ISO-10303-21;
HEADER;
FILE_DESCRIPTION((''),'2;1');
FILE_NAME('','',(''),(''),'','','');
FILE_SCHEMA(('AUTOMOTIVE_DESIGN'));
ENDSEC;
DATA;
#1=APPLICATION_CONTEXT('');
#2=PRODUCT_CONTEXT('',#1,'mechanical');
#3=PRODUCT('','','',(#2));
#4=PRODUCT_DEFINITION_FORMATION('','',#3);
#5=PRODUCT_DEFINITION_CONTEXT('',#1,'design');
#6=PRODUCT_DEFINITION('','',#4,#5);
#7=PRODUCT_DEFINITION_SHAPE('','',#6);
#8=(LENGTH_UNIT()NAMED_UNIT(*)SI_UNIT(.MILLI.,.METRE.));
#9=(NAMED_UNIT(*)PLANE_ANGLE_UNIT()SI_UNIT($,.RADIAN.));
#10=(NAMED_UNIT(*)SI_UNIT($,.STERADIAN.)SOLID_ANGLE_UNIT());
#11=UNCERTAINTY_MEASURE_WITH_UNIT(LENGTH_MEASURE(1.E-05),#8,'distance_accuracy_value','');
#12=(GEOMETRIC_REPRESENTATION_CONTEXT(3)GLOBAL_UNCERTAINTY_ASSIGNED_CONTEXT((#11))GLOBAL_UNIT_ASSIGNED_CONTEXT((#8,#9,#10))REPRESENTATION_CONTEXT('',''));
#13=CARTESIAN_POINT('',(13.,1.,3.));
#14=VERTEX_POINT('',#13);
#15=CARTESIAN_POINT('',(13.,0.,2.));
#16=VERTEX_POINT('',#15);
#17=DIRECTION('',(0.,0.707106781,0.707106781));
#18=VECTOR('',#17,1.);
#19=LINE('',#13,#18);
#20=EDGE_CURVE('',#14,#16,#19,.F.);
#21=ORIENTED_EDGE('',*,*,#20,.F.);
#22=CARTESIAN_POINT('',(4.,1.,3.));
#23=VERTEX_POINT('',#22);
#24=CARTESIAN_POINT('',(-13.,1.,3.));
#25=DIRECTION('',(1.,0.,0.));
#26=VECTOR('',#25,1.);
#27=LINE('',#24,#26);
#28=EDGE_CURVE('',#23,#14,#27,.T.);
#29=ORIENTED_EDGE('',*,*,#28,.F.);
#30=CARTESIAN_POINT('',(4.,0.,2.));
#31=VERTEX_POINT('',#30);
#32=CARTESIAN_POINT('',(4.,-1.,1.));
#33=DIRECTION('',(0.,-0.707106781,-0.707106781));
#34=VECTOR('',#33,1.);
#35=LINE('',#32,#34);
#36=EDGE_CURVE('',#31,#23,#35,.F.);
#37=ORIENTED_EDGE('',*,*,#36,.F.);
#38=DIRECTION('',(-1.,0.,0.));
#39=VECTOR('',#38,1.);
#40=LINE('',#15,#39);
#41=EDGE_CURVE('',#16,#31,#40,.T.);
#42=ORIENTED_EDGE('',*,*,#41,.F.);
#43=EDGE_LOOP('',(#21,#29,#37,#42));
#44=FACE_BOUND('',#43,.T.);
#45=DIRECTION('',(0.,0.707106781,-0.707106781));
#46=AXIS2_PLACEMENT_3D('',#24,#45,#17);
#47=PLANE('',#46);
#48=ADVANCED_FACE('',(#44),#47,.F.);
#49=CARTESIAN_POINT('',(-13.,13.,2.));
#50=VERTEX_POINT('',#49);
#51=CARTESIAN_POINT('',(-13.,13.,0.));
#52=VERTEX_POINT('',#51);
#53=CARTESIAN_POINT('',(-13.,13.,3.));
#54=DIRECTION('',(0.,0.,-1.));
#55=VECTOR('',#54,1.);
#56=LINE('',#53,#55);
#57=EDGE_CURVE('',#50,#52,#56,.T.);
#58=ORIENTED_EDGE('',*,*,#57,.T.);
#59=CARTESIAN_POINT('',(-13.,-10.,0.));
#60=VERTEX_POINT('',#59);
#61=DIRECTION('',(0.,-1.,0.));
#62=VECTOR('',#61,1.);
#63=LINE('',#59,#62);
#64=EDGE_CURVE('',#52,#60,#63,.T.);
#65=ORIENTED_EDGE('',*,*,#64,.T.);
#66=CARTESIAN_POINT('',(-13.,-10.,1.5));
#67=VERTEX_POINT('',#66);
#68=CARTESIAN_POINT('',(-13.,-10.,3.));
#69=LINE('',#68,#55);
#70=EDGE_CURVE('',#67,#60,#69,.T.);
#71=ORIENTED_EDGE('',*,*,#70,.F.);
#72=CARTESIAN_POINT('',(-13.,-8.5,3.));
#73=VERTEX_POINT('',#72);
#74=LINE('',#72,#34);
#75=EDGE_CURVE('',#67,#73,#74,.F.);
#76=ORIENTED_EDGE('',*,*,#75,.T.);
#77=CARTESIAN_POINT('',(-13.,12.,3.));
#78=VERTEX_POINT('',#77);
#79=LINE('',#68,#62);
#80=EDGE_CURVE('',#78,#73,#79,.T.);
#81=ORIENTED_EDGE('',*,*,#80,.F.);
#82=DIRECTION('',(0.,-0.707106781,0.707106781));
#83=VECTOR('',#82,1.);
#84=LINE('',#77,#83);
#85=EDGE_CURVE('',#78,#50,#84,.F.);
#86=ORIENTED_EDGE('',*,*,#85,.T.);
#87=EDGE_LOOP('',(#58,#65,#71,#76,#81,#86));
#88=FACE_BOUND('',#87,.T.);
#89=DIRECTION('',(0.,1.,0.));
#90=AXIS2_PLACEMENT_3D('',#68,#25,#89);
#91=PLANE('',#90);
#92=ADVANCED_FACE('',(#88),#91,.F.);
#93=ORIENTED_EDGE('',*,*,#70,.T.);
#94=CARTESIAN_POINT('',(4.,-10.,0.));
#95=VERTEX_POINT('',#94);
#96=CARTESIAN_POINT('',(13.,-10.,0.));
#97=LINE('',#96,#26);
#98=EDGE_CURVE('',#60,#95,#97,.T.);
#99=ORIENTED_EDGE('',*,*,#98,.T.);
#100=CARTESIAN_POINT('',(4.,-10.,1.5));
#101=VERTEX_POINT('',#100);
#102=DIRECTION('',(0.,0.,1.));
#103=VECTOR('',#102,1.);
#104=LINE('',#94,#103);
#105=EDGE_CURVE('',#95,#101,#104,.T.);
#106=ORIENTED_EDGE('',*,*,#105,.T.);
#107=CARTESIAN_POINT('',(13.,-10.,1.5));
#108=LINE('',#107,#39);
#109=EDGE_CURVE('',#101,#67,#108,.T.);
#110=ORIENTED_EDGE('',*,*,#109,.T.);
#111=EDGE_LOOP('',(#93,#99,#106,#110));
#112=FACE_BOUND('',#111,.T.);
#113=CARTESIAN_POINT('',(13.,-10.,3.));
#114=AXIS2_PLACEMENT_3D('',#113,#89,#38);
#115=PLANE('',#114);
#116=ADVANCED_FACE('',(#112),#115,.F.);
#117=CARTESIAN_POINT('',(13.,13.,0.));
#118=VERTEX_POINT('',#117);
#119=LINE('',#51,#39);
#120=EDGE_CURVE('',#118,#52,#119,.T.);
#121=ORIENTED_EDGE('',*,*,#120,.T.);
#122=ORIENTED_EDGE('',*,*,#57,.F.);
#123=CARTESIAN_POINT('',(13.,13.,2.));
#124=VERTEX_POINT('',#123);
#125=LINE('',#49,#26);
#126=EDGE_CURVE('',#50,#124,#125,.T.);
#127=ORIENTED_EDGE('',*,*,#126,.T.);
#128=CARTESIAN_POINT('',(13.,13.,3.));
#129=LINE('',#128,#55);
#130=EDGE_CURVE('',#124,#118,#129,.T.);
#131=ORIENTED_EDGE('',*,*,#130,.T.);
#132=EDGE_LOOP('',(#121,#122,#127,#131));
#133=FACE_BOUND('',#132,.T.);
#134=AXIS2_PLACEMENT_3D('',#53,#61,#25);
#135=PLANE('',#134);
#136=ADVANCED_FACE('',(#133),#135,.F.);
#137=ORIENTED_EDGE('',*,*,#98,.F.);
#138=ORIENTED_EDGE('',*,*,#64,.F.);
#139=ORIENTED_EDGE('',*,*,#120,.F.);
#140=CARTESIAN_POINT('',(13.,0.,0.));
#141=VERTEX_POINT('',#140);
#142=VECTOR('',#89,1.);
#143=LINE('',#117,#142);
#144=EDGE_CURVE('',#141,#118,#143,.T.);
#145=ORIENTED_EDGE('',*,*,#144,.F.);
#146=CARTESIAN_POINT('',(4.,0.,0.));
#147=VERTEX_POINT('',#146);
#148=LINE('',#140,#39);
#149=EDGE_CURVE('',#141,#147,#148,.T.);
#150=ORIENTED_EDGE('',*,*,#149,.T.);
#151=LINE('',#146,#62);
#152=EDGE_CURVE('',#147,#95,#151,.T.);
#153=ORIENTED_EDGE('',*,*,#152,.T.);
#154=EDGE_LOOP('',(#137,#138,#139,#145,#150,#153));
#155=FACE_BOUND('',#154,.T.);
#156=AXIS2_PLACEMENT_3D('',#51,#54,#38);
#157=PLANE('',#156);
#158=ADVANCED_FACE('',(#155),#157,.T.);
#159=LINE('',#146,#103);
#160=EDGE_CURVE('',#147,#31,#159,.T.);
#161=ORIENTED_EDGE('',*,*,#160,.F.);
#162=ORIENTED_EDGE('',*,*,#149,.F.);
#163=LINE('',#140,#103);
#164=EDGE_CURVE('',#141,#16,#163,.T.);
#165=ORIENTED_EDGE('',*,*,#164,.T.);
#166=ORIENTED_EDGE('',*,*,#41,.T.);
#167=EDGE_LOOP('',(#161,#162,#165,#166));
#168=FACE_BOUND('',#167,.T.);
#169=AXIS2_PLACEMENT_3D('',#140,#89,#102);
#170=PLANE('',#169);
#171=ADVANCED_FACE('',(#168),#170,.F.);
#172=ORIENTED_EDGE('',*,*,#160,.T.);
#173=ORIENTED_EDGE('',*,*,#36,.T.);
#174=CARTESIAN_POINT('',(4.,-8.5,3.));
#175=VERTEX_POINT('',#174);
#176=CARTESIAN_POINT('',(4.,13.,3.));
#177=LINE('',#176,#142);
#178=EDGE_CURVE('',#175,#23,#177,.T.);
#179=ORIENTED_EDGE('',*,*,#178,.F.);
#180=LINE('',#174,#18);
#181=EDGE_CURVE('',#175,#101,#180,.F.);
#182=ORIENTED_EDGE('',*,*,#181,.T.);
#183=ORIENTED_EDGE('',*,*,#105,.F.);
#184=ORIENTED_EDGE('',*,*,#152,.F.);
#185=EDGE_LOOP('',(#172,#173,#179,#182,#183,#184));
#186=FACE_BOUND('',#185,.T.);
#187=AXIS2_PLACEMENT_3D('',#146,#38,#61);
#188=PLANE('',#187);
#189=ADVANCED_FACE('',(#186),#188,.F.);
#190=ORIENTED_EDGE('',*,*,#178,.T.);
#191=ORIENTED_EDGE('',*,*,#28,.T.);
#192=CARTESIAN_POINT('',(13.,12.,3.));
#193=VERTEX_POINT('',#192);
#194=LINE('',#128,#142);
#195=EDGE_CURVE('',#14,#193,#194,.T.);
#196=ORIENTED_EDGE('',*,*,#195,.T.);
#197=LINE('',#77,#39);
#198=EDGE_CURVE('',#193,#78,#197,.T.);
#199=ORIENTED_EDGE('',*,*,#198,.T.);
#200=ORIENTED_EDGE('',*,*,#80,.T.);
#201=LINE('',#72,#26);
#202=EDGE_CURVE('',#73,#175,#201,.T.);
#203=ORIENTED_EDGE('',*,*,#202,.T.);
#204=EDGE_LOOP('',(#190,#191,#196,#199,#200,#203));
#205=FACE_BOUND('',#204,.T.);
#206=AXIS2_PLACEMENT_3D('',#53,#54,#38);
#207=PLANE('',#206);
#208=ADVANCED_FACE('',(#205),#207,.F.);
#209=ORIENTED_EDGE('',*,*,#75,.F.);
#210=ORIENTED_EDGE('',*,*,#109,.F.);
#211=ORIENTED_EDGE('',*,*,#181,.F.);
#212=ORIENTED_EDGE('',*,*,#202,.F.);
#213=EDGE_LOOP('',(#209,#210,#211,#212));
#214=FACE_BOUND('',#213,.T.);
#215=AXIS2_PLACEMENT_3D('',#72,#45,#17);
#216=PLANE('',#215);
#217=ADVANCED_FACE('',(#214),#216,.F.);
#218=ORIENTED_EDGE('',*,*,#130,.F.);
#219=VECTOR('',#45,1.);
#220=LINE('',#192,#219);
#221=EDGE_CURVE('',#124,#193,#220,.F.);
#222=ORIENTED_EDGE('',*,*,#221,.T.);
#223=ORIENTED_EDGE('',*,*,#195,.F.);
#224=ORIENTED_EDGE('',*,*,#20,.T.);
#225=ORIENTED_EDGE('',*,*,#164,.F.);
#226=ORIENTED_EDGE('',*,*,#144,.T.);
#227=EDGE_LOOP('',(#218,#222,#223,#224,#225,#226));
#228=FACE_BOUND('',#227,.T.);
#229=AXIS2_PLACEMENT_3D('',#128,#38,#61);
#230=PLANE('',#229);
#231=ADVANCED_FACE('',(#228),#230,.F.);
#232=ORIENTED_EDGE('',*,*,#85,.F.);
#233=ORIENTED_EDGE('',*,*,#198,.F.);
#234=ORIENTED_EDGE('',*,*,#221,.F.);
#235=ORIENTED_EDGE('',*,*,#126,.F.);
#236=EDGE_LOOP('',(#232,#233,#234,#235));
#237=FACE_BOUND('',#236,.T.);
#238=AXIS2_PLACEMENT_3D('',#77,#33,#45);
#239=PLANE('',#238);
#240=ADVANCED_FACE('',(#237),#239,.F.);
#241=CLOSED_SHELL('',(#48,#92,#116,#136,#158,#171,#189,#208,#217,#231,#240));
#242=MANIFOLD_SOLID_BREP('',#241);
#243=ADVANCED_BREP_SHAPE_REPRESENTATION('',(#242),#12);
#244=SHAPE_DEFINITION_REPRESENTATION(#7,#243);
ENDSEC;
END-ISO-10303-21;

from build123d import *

# Parameters (mm, degrees)
SKETCH_1_W          = 26
SKETCH_1_H          = 23
EXTRUDE_1_DEPTH     = 3
CHAMFER_1_SIZE      = 1.5
CUT_EXTRUDE_1_DEPTH = 4
CHAMFER_2_SIZE      = 1


with BuildPart() as part:
    # Эскиз1 → Вытянуть1 (new body)
    with BuildSketch(Plane.XY):
        with Locations((0, 1.5)):
            Rectangle(SKETCH_1_W, SKETCH_1_H)
    extrude(amount=EXTRUDE_1_DEPTH)

    # Фаска1
    chamfer_1_edges = [part.edges().sort_by_distance(p)[0] for p in [
        (0, -10, 3),
    ]]
    chamfer(chamfer_1_edges, length=CHAMFER_1_SIZE)

    # Эскиз2 → Вырез-Вытянуть1 (cut, through all)
    with BuildSketch(Plane(origin=(0, 0, 0), x_dir=(-1, 0, 0), z_dir=(0, 0, -1))):
        Polygon((-81.137767415, 0), (-13, 0), (-4, 0), (-4, -10), (-4, -78.137767415), (-100.979926637, -173.876553822), (-178.117694052, -95.738786407), align=None)
    extrude(amount=-CUT_EXTRUDE_1_DEPTH, mode=Mode.SUBTRACT)

    # Фаска2
    chamfer_2_edges = [part.edges().sort_by_distance(p)[0] for p in [
        (0, 13, 3),
        (8.5, 0, 3),
    ]]
    chamfer(chamfer_2_edges, length=CHAMFER_2_SIZE)


solid = part.part
